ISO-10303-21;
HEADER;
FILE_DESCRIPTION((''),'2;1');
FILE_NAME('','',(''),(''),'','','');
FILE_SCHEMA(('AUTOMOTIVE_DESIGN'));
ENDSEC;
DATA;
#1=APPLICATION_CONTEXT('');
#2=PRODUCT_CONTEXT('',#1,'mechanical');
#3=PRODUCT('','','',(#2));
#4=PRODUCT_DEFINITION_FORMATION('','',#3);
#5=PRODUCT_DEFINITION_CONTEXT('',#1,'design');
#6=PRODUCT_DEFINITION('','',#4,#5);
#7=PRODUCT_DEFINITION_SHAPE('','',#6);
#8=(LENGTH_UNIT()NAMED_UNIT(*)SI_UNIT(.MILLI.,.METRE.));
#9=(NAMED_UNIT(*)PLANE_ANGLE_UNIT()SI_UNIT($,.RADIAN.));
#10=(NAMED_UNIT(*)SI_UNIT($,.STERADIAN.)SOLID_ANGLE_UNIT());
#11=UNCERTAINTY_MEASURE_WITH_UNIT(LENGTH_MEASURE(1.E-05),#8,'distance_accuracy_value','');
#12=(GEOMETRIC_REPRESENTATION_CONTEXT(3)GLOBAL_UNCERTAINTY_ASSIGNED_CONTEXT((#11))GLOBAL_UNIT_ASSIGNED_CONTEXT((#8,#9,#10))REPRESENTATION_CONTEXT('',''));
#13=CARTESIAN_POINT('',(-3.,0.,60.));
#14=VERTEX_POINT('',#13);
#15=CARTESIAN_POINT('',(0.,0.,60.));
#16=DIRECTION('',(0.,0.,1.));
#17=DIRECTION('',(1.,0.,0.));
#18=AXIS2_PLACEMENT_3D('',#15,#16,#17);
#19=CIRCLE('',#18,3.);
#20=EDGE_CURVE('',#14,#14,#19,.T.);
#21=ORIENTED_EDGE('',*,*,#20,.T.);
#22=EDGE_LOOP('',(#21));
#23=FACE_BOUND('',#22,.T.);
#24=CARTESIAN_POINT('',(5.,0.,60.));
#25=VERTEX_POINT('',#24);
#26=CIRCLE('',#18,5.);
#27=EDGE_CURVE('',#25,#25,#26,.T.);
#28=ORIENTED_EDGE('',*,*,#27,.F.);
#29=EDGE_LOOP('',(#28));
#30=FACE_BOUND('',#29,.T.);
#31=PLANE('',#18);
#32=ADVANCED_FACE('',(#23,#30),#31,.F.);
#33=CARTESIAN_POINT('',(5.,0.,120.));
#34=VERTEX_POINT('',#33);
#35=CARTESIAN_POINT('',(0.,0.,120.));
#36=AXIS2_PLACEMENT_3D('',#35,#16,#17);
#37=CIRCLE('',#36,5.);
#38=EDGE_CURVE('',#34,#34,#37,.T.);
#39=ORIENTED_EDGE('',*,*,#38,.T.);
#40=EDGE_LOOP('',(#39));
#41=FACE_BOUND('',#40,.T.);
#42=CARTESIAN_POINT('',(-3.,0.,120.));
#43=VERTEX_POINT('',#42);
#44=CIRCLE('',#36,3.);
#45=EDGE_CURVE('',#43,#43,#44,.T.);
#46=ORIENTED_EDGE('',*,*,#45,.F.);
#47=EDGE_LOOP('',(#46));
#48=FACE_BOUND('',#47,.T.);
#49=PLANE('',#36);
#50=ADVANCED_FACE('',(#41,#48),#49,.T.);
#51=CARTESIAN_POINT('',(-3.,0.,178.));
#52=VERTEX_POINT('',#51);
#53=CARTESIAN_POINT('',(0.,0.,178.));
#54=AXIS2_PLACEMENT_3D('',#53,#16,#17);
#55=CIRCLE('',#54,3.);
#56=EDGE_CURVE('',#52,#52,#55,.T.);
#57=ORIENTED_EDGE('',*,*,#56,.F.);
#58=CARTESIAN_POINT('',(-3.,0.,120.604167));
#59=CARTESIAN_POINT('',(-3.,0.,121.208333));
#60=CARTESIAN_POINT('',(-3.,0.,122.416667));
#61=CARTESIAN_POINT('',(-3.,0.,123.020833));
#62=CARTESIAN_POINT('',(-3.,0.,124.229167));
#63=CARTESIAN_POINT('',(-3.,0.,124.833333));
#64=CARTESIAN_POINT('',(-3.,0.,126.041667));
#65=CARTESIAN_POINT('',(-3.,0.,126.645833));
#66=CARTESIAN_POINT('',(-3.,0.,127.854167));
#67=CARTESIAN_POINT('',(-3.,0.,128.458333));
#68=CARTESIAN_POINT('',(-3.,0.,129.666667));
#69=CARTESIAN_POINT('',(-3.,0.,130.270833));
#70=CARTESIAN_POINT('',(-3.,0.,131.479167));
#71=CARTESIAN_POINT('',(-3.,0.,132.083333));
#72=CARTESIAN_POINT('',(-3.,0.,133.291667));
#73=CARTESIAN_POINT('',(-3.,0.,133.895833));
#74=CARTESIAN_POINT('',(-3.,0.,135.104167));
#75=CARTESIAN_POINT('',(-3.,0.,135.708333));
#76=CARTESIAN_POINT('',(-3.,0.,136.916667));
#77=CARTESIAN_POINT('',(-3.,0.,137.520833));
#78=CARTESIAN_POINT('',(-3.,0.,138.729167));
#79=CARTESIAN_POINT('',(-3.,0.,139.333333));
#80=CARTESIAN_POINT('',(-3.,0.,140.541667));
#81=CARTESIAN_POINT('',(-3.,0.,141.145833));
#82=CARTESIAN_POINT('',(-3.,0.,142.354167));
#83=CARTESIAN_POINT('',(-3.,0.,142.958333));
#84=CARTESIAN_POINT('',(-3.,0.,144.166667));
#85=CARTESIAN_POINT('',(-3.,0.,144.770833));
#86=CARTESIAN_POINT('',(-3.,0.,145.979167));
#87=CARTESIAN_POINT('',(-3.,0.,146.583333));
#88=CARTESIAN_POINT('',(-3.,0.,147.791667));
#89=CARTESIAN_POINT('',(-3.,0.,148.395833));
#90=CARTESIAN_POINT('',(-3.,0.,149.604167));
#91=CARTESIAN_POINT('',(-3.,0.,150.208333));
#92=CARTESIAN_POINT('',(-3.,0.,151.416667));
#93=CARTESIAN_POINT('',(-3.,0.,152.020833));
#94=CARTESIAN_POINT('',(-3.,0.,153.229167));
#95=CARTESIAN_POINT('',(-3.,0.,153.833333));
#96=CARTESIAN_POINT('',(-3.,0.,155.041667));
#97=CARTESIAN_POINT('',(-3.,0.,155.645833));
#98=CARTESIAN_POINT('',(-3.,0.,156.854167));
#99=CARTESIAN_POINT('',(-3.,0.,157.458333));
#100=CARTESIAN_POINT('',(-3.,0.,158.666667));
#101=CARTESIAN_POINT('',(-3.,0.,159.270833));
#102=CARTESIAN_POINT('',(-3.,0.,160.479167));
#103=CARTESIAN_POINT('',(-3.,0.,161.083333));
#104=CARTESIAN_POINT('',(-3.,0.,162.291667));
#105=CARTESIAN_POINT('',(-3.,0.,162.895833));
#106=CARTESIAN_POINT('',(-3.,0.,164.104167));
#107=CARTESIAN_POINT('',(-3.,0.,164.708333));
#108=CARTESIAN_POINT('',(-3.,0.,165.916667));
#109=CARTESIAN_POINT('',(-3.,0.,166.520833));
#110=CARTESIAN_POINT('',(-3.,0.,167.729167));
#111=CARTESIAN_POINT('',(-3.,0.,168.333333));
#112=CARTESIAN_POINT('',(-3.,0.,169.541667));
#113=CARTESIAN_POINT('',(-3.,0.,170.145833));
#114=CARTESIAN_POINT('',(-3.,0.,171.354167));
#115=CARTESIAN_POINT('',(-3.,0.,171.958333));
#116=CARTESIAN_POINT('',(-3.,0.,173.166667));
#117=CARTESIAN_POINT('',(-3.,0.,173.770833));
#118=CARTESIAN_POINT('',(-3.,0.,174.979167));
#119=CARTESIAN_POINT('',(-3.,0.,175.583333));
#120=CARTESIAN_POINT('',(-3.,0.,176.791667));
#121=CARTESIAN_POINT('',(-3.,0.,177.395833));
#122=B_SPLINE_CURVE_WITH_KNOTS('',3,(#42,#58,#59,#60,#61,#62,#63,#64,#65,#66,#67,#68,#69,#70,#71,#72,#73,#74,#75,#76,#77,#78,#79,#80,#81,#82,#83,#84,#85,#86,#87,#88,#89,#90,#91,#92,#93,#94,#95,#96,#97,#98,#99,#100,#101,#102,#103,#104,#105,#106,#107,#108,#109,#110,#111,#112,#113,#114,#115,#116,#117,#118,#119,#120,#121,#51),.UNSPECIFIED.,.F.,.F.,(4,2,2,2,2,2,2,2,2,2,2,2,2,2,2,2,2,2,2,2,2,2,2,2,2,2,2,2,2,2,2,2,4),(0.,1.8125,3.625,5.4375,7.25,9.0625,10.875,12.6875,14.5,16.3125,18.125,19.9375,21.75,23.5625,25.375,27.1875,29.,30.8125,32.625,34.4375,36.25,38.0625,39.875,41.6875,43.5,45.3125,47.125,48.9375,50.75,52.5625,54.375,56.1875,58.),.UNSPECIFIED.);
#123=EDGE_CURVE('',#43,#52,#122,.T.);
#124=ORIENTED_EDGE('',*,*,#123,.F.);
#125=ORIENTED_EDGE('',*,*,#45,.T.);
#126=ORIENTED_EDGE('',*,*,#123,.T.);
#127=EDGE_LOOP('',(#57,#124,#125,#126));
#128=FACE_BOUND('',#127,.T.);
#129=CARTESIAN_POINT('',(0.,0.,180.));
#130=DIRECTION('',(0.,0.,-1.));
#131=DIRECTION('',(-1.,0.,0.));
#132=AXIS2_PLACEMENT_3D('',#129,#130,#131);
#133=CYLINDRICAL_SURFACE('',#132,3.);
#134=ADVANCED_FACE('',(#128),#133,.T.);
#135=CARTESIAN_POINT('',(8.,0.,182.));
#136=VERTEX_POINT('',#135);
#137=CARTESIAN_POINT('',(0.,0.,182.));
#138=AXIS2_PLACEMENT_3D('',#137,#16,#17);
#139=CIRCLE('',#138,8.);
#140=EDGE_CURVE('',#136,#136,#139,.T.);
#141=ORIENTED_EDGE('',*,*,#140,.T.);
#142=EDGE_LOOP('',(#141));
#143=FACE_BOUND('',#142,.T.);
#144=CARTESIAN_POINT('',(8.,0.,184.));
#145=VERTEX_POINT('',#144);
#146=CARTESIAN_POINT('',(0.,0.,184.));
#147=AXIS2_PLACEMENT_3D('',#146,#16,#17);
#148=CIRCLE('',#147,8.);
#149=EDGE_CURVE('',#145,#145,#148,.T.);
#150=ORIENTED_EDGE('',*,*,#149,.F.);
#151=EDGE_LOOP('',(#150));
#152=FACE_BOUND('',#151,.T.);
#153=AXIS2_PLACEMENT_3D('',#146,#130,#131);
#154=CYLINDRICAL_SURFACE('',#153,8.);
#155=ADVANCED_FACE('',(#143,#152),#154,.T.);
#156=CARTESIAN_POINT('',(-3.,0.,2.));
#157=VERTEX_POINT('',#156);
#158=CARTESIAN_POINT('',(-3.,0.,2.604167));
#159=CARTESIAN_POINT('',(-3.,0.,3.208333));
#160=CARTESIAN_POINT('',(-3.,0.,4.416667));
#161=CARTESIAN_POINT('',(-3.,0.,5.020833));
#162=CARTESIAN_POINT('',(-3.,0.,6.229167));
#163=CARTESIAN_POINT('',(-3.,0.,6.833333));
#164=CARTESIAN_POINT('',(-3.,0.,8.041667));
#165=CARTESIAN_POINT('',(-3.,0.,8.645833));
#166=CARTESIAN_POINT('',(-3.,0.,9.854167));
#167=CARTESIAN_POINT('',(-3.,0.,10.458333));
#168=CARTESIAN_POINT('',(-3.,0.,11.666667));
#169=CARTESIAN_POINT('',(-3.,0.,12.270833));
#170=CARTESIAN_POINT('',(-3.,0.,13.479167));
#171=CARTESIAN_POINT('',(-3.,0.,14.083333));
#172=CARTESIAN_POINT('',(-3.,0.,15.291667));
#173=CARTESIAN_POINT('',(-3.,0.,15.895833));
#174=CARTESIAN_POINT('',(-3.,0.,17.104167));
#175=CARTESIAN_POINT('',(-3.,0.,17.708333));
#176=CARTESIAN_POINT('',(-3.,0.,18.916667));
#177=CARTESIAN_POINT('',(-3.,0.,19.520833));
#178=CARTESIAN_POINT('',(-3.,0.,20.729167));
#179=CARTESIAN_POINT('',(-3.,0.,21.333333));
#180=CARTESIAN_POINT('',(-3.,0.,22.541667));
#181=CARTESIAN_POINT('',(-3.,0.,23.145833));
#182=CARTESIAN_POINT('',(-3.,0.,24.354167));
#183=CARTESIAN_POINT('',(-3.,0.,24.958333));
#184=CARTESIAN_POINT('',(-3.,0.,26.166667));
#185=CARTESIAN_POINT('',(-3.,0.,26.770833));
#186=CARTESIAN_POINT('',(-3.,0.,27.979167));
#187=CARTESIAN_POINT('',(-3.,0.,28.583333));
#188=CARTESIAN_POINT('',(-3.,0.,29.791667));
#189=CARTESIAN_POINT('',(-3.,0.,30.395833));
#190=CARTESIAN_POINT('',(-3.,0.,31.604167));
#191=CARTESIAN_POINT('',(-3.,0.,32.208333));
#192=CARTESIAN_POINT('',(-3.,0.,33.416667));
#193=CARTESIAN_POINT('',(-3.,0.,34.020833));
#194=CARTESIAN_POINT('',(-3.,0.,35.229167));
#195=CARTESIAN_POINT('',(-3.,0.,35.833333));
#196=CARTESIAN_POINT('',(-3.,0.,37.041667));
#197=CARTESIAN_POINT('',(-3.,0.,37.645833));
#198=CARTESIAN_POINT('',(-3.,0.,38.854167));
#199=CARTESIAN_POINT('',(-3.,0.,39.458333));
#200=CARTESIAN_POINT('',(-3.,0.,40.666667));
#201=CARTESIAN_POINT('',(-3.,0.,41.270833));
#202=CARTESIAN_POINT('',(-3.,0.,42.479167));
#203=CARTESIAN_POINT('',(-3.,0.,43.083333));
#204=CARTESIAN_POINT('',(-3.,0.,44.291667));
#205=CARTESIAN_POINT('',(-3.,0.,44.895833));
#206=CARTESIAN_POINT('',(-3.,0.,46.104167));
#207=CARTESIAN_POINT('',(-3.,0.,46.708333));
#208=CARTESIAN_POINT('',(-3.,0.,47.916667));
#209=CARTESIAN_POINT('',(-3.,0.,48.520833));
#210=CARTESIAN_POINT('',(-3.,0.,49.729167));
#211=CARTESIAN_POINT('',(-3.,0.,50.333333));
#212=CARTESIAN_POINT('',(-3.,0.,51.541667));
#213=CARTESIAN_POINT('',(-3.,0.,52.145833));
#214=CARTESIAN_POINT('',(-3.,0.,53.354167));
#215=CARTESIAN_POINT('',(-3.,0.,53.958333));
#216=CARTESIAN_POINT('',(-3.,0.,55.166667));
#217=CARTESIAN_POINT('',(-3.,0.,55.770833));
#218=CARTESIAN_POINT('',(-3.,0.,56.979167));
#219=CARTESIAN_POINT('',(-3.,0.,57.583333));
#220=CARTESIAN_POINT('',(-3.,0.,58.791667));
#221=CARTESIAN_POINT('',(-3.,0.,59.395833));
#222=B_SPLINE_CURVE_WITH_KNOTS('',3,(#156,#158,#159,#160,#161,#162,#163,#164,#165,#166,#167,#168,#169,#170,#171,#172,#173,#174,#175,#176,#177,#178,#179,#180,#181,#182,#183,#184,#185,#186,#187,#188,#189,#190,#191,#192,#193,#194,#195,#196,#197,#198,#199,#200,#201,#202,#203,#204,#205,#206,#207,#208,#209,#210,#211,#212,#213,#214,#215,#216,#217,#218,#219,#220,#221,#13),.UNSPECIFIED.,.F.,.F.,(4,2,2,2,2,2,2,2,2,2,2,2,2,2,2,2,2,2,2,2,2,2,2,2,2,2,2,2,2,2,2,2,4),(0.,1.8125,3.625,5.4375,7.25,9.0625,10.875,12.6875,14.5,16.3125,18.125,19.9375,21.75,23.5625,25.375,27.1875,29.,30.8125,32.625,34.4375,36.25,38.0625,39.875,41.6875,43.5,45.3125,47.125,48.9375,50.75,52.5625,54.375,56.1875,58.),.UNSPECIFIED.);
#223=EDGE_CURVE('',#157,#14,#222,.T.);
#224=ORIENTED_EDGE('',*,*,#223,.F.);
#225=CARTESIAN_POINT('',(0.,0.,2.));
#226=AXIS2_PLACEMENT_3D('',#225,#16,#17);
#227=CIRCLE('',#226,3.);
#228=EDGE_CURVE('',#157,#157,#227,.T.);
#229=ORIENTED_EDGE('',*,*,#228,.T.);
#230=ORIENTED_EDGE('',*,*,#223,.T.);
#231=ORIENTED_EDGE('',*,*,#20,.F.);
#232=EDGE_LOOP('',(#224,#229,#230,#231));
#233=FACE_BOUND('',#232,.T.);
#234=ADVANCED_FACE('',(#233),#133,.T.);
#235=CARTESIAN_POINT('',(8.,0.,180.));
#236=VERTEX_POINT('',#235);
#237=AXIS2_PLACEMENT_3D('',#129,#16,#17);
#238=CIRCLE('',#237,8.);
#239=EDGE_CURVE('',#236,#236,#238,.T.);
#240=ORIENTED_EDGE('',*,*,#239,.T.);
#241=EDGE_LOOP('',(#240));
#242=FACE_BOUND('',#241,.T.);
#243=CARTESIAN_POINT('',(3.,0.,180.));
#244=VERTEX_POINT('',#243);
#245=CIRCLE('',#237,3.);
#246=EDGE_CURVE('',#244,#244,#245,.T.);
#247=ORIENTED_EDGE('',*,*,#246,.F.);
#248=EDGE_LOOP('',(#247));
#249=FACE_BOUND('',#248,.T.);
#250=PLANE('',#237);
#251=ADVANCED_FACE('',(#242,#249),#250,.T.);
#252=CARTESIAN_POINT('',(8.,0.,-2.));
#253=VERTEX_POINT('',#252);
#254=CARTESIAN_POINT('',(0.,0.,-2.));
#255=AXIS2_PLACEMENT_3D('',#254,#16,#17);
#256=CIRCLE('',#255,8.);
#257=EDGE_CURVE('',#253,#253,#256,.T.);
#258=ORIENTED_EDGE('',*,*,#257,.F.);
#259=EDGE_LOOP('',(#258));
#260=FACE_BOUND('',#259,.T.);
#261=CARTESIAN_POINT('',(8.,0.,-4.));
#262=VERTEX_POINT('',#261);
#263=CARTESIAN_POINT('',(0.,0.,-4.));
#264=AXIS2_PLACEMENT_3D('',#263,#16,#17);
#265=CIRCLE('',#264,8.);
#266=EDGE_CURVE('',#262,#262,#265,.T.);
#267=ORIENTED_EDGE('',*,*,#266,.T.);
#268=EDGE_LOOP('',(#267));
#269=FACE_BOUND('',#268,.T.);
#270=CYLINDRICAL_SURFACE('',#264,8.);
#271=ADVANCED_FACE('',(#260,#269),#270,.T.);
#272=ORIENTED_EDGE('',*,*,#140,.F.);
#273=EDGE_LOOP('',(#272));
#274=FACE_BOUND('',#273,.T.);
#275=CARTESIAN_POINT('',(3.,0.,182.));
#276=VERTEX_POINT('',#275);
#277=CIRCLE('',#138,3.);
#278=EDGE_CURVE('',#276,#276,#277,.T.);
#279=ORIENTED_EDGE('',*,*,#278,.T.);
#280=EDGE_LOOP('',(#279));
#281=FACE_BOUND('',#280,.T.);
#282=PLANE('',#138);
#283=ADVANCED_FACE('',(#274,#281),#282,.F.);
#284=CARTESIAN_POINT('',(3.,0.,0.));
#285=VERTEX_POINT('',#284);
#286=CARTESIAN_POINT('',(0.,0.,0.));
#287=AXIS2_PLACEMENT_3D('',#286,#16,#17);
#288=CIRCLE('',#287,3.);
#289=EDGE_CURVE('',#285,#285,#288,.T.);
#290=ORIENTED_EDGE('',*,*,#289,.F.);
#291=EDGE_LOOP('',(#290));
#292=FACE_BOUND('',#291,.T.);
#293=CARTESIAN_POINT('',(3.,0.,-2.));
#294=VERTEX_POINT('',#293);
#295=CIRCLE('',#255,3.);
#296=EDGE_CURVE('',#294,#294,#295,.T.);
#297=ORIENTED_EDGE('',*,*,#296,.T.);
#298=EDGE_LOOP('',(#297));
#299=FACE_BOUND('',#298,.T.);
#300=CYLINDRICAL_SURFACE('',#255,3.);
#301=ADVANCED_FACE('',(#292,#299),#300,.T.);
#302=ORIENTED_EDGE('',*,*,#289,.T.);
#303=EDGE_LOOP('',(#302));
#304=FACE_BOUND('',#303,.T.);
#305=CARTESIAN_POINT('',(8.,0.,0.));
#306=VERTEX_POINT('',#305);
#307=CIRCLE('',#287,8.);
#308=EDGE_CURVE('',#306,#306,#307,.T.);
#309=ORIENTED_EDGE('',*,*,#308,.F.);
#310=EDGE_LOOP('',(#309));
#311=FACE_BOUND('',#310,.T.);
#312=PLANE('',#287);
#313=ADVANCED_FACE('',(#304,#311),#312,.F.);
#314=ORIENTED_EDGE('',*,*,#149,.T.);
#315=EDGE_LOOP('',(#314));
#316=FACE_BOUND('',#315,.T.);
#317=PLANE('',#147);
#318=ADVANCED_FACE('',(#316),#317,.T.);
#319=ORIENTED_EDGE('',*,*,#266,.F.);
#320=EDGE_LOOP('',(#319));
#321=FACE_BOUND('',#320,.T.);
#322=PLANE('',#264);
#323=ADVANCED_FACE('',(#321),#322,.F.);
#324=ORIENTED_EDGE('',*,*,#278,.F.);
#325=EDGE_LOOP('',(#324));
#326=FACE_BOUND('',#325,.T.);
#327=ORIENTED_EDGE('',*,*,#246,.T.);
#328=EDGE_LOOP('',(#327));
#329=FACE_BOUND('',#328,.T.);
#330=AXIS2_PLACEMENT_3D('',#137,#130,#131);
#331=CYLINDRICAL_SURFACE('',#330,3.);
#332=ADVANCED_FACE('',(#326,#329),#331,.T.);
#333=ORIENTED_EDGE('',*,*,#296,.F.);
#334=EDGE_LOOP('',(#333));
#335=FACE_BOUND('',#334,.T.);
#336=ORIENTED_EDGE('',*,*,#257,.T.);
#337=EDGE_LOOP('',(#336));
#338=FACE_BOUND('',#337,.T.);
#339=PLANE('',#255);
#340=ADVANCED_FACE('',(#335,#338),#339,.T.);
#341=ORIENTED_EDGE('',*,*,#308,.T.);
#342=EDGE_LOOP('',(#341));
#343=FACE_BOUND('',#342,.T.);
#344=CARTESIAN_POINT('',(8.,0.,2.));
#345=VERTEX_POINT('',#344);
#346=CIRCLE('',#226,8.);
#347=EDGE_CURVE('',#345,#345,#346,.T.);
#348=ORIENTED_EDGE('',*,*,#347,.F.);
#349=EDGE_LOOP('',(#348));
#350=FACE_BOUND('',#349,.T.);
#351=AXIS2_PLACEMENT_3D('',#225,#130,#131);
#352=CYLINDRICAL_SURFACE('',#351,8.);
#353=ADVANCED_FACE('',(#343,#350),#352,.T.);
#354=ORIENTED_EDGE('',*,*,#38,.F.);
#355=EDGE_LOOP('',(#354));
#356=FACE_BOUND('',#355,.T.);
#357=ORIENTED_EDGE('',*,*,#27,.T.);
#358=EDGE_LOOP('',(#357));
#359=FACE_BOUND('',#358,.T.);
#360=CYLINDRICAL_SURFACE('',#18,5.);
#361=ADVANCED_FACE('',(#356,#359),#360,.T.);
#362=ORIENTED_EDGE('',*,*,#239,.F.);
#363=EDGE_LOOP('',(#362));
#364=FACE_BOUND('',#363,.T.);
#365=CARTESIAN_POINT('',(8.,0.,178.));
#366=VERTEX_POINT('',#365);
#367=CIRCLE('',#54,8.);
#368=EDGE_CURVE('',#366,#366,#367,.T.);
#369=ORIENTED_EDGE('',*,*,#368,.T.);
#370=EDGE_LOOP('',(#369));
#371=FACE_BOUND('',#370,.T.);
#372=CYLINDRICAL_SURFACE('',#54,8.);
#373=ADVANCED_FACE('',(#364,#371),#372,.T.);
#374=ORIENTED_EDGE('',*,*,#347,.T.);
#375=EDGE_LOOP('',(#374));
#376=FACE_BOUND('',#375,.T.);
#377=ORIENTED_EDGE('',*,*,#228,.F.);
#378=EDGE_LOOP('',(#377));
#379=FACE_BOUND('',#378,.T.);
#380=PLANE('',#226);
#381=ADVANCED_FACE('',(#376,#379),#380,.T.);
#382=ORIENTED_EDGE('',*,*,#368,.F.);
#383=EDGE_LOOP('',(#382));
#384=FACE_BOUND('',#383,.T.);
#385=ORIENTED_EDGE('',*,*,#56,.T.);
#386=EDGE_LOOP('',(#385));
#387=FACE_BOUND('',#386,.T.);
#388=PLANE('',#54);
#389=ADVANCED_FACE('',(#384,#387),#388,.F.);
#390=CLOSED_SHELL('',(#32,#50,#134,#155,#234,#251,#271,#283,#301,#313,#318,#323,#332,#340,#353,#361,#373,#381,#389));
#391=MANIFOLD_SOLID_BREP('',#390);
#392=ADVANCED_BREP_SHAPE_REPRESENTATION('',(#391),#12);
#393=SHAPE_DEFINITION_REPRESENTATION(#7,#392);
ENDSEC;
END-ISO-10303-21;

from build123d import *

# Parameters (mm, degrees)
SKETCH_1_R       = 3
EXTRUDE_1_DEPTH  = 180
SKETCH_2_R       = 8
EXTRUDE_2_DEPTH  = 2
EXTRUDE_START    = -178
SKETCH_2_2_R     = 8
EXTRUDE_3_DEPTH  = 2
EXTRUDE_START_2  = -2
SKETCH_1_2_R     = 3
EXTRUDE_4_DEPTH  = 2
EXTRUDE_START_3  = 180
SKETCH_1_3_R     = 3
EXTRUDE_5_DEPTH  = 2
EXTRUDE_START_4  = 4
SKETCH_2_3_R     = 8
EXTRUDE_6_DEPTH  = 2
EXTRUDE_START_5  = -182
SKETCH_2_4_R     = 8
EXTRUDE_7_DEPTH  = 2
EXTRUDE_START_6  = -64
SKETCH_3_R       = 5
EXTRUDE_10_DEPTH = 60


with BuildPart() as part:
    # 草图1 → 凸台-拉伸1 (new body)
    with BuildSketch(Plane.XY):
        with Locations(Location((0, 0, 0), (0, 0, 180))):
            Circle(SKETCH_1_R)
    extrude(amount=EXTRUDE_1_DEPTH)

    # 草图2 → 凸台-拉伸2 (add)
    with BuildSketch(Plane.XY.offset(180)):
        Circle(SKETCH_2_R)
    extrude(amount=-EXTRUDE_2_DEPTH)

    # 草图2<2> → 凸台-拉伸3 (add)
    with BuildSketch(Plane.XY.offset(180).offset(EXTRUDE_START)):
        Circle(SKETCH_2_2_R)
    extrude(amount=-EXTRUDE_3_DEPTH)

    # 草图1<2> → 凸台-拉伸4 (add)
    with BuildSketch(Plane.XY.offset(EXTRUDE_START_2)):
        with Locations(Location((0, 0, 0), (0, 0, 180))):
            Circle(SKETCH_1_2_R)
    extrude(amount=EXTRUDE_4_DEPTH)

    # 草图1<3> → 凸台-拉伸5 (add)
    with BuildSketch(Plane.XY.offset(EXTRUDE_START_3)):
        with Locations(Location((0, 0, 0), (0, 0, 180))):
            Circle(SKETCH_1_3_R)
    extrude(amount=EXTRUDE_5_DEPTH)

    # 草图2<3> → 凸台-拉伸6 (add)
    with BuildSketch(Plane.XY.offset(180).offset(EXTRUDE_START_4)):
        Circle(SKETCH_2_3_R)
    extrude(amount=-EXTRUDE_6_DEPTH)

    # 草图2<4> → 凸台-拉伸7 (add)
    with BuildSketch(Plane.XY.offset(180).offset(EXTRUDE_START_5)):
        Circle(SKETCH_2_4_R)
    extrude(amount=-EXTRUDE_7_DEPTH)

    # 草图3 → 凸台-拉伸10 (add)
    with BuildSketch(Plane.XY.offset(184).offset(EXTRUDE_START_6)):
        Circle(SKETCH_3_R)
    extrude(amount=-EXTRUDE_10_DEPTH)


solid = part.part
